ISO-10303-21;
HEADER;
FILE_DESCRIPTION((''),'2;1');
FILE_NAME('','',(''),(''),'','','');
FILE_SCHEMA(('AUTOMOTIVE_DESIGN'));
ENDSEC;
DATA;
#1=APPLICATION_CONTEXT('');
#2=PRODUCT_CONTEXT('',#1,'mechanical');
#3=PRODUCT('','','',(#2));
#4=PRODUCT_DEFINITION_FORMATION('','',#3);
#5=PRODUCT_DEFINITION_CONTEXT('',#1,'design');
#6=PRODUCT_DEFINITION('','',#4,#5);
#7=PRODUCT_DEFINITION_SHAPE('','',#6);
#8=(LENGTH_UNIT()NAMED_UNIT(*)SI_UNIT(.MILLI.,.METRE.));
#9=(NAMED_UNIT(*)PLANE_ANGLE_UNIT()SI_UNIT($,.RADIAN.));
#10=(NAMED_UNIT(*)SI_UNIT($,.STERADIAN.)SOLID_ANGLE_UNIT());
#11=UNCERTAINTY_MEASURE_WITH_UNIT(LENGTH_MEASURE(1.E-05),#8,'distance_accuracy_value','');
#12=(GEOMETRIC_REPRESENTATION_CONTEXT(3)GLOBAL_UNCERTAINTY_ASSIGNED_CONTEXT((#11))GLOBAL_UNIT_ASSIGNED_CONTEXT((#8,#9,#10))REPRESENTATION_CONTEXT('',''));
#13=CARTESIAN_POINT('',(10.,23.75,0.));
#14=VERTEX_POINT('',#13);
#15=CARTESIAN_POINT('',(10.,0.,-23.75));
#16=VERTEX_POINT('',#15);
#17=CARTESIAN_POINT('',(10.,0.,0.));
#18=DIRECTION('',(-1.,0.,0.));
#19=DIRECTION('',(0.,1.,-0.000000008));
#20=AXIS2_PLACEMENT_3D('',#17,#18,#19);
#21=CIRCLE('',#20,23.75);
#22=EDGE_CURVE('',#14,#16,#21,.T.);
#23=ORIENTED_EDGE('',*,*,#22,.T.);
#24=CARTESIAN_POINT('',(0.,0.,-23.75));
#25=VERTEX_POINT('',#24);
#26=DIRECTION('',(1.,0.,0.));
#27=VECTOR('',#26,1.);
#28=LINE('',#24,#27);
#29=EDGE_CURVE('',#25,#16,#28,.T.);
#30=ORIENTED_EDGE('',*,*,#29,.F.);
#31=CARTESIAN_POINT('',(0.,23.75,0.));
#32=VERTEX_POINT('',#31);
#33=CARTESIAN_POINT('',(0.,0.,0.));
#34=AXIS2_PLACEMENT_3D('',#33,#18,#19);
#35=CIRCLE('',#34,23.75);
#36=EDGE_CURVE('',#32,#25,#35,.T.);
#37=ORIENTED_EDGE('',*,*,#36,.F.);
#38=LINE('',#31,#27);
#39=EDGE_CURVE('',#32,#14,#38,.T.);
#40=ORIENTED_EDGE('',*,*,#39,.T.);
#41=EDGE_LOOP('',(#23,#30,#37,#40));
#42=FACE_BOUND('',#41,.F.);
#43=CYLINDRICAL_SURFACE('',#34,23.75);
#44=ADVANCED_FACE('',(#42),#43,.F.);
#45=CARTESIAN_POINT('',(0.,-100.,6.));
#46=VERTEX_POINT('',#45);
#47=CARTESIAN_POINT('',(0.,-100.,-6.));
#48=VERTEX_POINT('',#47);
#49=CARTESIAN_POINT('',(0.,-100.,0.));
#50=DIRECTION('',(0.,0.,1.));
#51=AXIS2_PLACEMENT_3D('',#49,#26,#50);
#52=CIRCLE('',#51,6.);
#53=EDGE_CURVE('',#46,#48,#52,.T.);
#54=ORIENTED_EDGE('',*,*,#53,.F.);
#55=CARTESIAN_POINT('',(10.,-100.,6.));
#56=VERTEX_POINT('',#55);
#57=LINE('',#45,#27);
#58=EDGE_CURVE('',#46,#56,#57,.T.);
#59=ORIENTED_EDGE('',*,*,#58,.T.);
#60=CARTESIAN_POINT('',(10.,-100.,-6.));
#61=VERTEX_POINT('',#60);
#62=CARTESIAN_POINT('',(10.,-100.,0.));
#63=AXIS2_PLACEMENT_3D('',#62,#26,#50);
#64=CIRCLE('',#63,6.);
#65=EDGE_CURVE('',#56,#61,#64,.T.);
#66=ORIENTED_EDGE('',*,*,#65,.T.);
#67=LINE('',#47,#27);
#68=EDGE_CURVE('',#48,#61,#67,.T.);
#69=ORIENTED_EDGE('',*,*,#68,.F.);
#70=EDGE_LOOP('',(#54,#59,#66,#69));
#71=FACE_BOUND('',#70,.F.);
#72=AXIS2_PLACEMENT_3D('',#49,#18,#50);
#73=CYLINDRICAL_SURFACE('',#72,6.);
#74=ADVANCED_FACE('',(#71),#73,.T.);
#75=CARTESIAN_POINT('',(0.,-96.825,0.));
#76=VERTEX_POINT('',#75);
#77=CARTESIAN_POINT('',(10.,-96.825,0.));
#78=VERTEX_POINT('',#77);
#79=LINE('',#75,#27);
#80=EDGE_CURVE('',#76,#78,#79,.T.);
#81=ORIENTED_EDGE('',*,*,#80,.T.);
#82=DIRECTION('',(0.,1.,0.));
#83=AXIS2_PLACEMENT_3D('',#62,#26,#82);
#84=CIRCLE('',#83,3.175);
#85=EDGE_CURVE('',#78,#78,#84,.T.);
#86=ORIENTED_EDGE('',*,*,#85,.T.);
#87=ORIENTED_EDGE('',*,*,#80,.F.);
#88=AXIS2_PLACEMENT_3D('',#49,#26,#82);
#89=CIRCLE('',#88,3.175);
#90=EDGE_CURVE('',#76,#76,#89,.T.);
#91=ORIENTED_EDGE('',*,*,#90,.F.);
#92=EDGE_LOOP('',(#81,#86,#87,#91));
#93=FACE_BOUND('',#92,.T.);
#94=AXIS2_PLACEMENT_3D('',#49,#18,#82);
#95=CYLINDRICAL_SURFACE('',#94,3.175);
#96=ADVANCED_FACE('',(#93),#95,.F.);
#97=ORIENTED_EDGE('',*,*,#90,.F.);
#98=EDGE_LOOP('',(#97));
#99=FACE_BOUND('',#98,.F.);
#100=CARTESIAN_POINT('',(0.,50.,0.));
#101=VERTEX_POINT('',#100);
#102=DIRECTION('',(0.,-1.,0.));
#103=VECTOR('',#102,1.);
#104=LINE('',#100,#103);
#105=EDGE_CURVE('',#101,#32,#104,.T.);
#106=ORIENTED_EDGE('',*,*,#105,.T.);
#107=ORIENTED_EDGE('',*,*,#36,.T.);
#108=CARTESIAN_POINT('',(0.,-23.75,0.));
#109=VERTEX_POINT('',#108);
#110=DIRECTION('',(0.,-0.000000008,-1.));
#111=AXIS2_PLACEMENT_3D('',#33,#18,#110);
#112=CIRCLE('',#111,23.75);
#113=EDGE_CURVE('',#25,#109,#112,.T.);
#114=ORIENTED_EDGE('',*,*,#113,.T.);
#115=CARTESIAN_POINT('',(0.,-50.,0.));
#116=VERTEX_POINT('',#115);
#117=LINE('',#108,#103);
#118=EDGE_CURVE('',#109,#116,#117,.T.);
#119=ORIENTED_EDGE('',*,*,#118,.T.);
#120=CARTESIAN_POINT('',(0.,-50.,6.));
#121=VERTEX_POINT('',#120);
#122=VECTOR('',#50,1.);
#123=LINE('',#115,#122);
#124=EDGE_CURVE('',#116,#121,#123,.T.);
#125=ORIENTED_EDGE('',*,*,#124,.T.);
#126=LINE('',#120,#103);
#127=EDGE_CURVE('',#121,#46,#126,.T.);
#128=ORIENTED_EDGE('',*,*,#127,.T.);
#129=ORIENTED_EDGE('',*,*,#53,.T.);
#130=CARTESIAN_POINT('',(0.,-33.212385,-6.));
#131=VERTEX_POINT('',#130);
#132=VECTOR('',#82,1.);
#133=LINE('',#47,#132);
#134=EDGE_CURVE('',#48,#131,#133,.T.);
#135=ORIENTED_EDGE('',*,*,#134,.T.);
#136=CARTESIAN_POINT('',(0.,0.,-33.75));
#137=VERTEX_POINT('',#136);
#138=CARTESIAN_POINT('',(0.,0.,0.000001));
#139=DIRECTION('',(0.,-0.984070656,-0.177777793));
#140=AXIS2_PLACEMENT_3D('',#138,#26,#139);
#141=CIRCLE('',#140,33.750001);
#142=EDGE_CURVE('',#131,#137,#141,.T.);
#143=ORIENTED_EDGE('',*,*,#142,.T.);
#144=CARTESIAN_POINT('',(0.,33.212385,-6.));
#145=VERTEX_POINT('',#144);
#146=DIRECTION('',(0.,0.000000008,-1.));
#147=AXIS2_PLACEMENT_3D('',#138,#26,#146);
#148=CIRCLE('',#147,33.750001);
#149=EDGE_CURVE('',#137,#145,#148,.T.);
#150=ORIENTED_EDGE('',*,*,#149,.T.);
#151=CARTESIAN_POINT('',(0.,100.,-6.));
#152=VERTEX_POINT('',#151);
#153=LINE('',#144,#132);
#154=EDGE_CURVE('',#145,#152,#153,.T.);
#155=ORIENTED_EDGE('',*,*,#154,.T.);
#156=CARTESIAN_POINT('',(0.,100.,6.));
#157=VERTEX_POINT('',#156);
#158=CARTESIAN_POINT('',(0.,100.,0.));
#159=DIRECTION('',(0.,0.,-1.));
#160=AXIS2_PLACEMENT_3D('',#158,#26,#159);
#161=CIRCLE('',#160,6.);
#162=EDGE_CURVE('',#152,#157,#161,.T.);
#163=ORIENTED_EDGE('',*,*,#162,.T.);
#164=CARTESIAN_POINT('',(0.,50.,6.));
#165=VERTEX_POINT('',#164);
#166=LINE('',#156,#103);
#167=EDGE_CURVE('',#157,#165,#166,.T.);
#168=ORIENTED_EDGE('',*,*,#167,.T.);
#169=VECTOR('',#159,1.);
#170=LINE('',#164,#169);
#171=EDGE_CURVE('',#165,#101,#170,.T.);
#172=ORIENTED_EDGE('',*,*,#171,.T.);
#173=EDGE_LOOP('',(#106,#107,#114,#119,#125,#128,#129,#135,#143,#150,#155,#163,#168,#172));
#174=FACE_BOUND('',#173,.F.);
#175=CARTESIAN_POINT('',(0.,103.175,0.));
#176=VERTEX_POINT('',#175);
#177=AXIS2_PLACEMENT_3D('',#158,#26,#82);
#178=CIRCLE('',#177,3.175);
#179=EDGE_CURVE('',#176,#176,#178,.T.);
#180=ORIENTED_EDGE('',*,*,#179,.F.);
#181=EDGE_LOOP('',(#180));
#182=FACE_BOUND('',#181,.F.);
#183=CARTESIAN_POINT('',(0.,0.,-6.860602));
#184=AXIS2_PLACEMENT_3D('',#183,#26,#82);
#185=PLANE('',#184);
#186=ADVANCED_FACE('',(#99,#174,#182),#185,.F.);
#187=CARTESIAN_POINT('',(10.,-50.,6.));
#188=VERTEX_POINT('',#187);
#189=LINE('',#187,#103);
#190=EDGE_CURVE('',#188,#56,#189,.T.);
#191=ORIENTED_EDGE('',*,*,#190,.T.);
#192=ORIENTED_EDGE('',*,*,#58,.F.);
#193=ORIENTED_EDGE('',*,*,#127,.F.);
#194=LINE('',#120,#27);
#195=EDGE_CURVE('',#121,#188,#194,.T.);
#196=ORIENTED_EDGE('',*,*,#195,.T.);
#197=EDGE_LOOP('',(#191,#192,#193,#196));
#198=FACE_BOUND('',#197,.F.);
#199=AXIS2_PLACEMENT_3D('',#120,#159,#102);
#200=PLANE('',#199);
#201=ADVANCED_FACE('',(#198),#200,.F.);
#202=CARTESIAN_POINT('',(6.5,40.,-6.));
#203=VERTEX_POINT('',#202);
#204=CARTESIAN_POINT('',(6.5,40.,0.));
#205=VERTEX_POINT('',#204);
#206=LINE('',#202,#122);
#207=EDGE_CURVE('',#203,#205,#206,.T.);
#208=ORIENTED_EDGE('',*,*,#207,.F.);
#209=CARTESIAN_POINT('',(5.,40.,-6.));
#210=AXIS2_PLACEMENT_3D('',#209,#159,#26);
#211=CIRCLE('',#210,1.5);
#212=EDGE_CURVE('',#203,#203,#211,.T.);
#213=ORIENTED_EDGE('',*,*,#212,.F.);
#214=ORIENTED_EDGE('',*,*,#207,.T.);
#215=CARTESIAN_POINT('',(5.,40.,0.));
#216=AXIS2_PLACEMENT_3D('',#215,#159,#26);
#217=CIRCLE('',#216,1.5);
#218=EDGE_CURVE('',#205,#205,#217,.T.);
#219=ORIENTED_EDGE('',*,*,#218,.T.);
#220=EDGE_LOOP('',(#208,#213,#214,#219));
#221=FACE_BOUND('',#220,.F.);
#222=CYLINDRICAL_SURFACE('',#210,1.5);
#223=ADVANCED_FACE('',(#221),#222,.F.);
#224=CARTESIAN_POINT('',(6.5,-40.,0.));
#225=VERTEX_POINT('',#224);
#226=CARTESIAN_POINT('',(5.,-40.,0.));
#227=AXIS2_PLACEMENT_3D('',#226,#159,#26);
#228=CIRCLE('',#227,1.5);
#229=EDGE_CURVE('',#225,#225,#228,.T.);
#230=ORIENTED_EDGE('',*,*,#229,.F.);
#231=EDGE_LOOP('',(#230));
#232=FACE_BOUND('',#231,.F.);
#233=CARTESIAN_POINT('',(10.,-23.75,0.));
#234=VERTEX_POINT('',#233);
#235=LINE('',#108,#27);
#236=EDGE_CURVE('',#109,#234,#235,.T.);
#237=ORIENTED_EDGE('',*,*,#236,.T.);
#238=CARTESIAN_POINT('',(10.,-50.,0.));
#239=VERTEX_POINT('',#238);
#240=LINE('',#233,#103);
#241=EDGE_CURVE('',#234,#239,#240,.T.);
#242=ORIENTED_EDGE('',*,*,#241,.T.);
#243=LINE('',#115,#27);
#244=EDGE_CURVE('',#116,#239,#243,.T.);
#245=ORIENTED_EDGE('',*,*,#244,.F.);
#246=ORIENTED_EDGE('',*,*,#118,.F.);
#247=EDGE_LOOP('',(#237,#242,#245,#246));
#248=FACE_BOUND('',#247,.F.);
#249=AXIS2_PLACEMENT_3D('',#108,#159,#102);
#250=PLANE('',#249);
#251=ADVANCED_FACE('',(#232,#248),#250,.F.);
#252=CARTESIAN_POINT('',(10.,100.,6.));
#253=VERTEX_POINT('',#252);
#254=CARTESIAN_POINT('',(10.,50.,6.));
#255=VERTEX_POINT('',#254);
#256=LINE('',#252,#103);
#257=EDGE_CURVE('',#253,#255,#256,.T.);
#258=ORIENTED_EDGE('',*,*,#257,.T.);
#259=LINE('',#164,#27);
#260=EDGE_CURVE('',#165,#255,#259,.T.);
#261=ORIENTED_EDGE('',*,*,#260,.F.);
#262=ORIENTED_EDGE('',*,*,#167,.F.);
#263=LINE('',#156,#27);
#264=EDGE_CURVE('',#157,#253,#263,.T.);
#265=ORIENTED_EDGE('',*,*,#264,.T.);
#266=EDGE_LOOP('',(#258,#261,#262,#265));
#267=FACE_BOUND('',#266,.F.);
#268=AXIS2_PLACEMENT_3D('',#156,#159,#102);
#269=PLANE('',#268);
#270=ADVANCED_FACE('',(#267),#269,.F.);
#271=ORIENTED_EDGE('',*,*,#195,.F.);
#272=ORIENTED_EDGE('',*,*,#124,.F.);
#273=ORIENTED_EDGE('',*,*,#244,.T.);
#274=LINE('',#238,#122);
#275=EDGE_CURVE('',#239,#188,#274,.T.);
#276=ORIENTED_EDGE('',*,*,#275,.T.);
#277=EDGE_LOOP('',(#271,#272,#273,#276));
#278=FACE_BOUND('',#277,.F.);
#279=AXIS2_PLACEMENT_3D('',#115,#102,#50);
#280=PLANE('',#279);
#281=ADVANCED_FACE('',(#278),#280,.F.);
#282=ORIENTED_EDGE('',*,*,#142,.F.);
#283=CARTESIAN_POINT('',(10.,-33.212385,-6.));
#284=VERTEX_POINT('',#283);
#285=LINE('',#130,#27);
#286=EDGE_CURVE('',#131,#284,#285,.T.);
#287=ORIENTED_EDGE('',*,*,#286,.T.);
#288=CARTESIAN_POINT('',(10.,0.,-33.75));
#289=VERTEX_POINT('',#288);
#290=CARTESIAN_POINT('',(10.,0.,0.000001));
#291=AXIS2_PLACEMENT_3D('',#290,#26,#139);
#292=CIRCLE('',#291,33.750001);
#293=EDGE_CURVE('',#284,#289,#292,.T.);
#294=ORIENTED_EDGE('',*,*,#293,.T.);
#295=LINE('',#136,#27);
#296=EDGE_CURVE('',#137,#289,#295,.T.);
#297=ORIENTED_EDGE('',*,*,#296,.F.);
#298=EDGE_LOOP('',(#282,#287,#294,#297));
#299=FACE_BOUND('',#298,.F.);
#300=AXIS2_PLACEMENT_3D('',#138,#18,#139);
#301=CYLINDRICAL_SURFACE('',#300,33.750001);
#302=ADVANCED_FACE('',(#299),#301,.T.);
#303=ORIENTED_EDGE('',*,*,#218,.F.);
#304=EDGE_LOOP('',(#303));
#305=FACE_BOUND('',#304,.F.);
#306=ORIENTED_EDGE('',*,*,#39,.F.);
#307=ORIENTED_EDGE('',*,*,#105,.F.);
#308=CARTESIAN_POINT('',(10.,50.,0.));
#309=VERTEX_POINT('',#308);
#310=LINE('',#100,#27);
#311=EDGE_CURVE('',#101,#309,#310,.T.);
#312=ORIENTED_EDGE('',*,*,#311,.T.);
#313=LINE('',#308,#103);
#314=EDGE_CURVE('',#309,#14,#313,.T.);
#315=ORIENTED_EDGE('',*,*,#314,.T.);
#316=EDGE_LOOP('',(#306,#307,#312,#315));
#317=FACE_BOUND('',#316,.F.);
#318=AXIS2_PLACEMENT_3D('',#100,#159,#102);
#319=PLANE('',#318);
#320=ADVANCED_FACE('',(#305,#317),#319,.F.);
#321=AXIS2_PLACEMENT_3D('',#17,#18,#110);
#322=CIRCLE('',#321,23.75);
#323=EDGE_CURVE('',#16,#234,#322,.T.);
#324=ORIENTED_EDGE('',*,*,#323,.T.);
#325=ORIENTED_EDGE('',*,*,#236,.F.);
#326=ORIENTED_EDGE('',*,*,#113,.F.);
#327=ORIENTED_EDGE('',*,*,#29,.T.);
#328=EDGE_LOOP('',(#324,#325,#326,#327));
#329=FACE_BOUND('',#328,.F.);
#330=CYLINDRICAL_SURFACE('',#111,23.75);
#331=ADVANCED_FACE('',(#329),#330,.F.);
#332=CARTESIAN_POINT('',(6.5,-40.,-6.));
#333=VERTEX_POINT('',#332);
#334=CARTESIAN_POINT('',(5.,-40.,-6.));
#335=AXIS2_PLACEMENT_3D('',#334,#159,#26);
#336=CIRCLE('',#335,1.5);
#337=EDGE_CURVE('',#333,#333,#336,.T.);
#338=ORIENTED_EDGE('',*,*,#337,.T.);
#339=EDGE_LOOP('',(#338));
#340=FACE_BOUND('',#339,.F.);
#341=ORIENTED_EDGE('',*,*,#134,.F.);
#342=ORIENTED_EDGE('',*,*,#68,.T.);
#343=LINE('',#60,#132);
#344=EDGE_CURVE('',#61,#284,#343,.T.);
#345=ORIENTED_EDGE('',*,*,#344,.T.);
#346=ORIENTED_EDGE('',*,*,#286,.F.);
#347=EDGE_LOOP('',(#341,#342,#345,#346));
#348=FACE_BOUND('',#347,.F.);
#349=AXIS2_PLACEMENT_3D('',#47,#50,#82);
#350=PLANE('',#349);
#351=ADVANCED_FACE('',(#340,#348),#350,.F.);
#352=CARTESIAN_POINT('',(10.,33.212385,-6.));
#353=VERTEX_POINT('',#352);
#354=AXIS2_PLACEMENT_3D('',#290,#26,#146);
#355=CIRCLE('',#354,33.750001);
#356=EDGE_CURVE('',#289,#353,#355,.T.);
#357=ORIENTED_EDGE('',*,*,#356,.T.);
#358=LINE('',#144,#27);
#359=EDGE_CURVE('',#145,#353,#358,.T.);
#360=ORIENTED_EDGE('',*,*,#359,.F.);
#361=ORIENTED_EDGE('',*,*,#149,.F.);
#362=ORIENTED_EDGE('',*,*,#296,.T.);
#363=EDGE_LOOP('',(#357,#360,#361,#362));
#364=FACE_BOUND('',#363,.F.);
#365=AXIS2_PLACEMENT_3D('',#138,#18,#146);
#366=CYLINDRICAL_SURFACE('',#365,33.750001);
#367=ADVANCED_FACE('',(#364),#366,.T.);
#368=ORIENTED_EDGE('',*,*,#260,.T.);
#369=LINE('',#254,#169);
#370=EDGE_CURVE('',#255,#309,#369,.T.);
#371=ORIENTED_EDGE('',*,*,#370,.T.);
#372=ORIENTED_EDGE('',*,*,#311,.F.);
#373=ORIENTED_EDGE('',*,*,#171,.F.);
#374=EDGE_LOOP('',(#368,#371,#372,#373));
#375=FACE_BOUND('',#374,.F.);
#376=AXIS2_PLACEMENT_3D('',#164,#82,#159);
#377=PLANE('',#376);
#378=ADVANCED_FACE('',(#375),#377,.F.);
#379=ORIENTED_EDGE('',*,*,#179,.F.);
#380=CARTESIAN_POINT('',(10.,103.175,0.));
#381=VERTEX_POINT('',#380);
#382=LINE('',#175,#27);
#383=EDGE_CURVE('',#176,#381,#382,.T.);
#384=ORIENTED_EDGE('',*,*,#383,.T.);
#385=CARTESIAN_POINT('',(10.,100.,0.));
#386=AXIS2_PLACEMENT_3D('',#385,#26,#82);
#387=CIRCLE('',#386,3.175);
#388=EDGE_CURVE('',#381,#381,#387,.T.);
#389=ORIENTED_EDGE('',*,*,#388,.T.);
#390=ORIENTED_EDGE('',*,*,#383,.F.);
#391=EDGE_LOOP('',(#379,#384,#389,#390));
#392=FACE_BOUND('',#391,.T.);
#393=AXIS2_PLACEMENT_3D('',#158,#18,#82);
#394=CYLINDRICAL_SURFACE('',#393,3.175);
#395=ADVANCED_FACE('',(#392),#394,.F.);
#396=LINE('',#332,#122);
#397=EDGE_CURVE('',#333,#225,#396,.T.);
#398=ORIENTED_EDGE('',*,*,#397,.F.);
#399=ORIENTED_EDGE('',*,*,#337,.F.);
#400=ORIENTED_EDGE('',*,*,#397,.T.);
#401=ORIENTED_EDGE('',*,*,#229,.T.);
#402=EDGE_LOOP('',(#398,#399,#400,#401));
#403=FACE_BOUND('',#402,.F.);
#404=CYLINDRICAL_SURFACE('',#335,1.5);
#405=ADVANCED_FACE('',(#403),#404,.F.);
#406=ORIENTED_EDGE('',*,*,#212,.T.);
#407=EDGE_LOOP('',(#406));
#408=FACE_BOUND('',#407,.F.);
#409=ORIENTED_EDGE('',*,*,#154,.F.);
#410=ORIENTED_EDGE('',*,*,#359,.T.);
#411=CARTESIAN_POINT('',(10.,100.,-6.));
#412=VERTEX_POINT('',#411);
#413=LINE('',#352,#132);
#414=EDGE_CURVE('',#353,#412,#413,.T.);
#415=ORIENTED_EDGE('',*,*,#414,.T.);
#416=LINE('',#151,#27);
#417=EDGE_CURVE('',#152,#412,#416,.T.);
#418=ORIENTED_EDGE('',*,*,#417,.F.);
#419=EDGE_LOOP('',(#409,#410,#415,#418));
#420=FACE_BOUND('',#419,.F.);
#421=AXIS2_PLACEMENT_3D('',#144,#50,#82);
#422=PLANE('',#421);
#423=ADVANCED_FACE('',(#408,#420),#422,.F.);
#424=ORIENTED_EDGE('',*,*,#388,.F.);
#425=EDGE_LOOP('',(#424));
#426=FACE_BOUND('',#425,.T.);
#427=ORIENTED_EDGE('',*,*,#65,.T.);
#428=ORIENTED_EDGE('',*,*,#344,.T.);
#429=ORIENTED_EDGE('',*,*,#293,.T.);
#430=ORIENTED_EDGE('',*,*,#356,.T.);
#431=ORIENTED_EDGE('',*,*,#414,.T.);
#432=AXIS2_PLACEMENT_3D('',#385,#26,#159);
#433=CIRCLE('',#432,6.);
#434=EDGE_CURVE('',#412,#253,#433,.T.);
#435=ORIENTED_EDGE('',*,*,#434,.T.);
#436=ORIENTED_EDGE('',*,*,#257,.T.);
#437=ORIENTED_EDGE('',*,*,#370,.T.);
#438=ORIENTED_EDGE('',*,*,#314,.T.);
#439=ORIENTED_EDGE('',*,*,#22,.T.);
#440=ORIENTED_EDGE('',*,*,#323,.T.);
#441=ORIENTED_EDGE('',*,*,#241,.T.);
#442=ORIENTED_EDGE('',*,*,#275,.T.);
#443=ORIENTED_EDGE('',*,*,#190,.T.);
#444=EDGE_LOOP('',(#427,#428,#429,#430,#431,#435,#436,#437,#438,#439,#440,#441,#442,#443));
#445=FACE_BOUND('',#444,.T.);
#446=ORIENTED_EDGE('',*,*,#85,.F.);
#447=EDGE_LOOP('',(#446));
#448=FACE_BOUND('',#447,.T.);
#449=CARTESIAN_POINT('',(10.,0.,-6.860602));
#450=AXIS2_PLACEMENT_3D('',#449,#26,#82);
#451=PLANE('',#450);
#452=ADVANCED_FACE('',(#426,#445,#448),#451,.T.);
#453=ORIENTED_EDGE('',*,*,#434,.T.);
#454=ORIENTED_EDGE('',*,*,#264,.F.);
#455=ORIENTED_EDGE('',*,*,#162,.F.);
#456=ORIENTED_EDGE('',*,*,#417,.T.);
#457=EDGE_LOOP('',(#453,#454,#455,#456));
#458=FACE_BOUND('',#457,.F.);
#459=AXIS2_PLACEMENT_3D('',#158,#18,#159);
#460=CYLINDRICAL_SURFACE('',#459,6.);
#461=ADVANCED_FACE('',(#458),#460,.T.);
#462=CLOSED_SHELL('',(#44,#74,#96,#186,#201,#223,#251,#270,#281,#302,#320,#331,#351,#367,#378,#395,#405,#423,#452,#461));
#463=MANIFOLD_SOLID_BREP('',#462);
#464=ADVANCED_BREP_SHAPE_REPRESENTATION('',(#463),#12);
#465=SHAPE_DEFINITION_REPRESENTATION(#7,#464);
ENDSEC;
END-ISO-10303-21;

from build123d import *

# Parameters (mm, degrees)
F0_R     = 3.175
F1_DEPTH = 10
F2_R     = 1.5
F3_DEPTH = 25


with BuildPart() as f1:
    # F0 (on Right) → F1 (new body)
    with BuildSketch(Plane.YZ):
        with BuildLine():
            ThreePointArc((0, -23.75), (-16.793786, -16.793786), (-23.75, 0))
            Line((-23.75, 0), (-50, 0))
            Line((-50, 0), (-50, 6))
            Line((-50, 6), (-100, 6))
            ThreePointArc((-100, 6), (-106, 0), (-100, -6))
            Line((-100, -6), (-33.212385, -6))
            ThreePointArc((-33.212385, -6), (-21.639807, -25.899445), (0, -33.75))
            ThreePointArc((0, -33.75), (21.639807, -25.899445), (33.212385, -6))
            Line((33.212385, -6), (100, -6))
            ThreePointArc((100, -6), (106, 0), (100, 6))
            Line((100, 6), (50, 6))
            Line((50, 6), (50, 0))
            Line((50, 0), (23.75, 0))
            ThreePointArc((23.75, 0), (16.793786, -16.793786), (0, -23.75))
        make_face()
        with Locations((-100, 0)):
            Circle(F0_R, mode=Mode.SUBTRACT)
        with Locations((100, 0)):
            Circle(F0_R, mode=Mode.SUBTRACT)
    extrude(amount=F1_DEPTH)

    # F2 (on face) → F3 (cut)
    with BuildSketch(Plane(origin=(0, 0, -6), x_dir=(1, 0, 0), z_dir=(0, 0, -1))):
        with Locations((5, 40)):
            Circle(F2_R)
        with Locations((5, -40)):
            Circle(F2_R)
    extrude(amount=-F3_DEPTH, mode=Mode.SUBTRACT)


solid = f1.part
